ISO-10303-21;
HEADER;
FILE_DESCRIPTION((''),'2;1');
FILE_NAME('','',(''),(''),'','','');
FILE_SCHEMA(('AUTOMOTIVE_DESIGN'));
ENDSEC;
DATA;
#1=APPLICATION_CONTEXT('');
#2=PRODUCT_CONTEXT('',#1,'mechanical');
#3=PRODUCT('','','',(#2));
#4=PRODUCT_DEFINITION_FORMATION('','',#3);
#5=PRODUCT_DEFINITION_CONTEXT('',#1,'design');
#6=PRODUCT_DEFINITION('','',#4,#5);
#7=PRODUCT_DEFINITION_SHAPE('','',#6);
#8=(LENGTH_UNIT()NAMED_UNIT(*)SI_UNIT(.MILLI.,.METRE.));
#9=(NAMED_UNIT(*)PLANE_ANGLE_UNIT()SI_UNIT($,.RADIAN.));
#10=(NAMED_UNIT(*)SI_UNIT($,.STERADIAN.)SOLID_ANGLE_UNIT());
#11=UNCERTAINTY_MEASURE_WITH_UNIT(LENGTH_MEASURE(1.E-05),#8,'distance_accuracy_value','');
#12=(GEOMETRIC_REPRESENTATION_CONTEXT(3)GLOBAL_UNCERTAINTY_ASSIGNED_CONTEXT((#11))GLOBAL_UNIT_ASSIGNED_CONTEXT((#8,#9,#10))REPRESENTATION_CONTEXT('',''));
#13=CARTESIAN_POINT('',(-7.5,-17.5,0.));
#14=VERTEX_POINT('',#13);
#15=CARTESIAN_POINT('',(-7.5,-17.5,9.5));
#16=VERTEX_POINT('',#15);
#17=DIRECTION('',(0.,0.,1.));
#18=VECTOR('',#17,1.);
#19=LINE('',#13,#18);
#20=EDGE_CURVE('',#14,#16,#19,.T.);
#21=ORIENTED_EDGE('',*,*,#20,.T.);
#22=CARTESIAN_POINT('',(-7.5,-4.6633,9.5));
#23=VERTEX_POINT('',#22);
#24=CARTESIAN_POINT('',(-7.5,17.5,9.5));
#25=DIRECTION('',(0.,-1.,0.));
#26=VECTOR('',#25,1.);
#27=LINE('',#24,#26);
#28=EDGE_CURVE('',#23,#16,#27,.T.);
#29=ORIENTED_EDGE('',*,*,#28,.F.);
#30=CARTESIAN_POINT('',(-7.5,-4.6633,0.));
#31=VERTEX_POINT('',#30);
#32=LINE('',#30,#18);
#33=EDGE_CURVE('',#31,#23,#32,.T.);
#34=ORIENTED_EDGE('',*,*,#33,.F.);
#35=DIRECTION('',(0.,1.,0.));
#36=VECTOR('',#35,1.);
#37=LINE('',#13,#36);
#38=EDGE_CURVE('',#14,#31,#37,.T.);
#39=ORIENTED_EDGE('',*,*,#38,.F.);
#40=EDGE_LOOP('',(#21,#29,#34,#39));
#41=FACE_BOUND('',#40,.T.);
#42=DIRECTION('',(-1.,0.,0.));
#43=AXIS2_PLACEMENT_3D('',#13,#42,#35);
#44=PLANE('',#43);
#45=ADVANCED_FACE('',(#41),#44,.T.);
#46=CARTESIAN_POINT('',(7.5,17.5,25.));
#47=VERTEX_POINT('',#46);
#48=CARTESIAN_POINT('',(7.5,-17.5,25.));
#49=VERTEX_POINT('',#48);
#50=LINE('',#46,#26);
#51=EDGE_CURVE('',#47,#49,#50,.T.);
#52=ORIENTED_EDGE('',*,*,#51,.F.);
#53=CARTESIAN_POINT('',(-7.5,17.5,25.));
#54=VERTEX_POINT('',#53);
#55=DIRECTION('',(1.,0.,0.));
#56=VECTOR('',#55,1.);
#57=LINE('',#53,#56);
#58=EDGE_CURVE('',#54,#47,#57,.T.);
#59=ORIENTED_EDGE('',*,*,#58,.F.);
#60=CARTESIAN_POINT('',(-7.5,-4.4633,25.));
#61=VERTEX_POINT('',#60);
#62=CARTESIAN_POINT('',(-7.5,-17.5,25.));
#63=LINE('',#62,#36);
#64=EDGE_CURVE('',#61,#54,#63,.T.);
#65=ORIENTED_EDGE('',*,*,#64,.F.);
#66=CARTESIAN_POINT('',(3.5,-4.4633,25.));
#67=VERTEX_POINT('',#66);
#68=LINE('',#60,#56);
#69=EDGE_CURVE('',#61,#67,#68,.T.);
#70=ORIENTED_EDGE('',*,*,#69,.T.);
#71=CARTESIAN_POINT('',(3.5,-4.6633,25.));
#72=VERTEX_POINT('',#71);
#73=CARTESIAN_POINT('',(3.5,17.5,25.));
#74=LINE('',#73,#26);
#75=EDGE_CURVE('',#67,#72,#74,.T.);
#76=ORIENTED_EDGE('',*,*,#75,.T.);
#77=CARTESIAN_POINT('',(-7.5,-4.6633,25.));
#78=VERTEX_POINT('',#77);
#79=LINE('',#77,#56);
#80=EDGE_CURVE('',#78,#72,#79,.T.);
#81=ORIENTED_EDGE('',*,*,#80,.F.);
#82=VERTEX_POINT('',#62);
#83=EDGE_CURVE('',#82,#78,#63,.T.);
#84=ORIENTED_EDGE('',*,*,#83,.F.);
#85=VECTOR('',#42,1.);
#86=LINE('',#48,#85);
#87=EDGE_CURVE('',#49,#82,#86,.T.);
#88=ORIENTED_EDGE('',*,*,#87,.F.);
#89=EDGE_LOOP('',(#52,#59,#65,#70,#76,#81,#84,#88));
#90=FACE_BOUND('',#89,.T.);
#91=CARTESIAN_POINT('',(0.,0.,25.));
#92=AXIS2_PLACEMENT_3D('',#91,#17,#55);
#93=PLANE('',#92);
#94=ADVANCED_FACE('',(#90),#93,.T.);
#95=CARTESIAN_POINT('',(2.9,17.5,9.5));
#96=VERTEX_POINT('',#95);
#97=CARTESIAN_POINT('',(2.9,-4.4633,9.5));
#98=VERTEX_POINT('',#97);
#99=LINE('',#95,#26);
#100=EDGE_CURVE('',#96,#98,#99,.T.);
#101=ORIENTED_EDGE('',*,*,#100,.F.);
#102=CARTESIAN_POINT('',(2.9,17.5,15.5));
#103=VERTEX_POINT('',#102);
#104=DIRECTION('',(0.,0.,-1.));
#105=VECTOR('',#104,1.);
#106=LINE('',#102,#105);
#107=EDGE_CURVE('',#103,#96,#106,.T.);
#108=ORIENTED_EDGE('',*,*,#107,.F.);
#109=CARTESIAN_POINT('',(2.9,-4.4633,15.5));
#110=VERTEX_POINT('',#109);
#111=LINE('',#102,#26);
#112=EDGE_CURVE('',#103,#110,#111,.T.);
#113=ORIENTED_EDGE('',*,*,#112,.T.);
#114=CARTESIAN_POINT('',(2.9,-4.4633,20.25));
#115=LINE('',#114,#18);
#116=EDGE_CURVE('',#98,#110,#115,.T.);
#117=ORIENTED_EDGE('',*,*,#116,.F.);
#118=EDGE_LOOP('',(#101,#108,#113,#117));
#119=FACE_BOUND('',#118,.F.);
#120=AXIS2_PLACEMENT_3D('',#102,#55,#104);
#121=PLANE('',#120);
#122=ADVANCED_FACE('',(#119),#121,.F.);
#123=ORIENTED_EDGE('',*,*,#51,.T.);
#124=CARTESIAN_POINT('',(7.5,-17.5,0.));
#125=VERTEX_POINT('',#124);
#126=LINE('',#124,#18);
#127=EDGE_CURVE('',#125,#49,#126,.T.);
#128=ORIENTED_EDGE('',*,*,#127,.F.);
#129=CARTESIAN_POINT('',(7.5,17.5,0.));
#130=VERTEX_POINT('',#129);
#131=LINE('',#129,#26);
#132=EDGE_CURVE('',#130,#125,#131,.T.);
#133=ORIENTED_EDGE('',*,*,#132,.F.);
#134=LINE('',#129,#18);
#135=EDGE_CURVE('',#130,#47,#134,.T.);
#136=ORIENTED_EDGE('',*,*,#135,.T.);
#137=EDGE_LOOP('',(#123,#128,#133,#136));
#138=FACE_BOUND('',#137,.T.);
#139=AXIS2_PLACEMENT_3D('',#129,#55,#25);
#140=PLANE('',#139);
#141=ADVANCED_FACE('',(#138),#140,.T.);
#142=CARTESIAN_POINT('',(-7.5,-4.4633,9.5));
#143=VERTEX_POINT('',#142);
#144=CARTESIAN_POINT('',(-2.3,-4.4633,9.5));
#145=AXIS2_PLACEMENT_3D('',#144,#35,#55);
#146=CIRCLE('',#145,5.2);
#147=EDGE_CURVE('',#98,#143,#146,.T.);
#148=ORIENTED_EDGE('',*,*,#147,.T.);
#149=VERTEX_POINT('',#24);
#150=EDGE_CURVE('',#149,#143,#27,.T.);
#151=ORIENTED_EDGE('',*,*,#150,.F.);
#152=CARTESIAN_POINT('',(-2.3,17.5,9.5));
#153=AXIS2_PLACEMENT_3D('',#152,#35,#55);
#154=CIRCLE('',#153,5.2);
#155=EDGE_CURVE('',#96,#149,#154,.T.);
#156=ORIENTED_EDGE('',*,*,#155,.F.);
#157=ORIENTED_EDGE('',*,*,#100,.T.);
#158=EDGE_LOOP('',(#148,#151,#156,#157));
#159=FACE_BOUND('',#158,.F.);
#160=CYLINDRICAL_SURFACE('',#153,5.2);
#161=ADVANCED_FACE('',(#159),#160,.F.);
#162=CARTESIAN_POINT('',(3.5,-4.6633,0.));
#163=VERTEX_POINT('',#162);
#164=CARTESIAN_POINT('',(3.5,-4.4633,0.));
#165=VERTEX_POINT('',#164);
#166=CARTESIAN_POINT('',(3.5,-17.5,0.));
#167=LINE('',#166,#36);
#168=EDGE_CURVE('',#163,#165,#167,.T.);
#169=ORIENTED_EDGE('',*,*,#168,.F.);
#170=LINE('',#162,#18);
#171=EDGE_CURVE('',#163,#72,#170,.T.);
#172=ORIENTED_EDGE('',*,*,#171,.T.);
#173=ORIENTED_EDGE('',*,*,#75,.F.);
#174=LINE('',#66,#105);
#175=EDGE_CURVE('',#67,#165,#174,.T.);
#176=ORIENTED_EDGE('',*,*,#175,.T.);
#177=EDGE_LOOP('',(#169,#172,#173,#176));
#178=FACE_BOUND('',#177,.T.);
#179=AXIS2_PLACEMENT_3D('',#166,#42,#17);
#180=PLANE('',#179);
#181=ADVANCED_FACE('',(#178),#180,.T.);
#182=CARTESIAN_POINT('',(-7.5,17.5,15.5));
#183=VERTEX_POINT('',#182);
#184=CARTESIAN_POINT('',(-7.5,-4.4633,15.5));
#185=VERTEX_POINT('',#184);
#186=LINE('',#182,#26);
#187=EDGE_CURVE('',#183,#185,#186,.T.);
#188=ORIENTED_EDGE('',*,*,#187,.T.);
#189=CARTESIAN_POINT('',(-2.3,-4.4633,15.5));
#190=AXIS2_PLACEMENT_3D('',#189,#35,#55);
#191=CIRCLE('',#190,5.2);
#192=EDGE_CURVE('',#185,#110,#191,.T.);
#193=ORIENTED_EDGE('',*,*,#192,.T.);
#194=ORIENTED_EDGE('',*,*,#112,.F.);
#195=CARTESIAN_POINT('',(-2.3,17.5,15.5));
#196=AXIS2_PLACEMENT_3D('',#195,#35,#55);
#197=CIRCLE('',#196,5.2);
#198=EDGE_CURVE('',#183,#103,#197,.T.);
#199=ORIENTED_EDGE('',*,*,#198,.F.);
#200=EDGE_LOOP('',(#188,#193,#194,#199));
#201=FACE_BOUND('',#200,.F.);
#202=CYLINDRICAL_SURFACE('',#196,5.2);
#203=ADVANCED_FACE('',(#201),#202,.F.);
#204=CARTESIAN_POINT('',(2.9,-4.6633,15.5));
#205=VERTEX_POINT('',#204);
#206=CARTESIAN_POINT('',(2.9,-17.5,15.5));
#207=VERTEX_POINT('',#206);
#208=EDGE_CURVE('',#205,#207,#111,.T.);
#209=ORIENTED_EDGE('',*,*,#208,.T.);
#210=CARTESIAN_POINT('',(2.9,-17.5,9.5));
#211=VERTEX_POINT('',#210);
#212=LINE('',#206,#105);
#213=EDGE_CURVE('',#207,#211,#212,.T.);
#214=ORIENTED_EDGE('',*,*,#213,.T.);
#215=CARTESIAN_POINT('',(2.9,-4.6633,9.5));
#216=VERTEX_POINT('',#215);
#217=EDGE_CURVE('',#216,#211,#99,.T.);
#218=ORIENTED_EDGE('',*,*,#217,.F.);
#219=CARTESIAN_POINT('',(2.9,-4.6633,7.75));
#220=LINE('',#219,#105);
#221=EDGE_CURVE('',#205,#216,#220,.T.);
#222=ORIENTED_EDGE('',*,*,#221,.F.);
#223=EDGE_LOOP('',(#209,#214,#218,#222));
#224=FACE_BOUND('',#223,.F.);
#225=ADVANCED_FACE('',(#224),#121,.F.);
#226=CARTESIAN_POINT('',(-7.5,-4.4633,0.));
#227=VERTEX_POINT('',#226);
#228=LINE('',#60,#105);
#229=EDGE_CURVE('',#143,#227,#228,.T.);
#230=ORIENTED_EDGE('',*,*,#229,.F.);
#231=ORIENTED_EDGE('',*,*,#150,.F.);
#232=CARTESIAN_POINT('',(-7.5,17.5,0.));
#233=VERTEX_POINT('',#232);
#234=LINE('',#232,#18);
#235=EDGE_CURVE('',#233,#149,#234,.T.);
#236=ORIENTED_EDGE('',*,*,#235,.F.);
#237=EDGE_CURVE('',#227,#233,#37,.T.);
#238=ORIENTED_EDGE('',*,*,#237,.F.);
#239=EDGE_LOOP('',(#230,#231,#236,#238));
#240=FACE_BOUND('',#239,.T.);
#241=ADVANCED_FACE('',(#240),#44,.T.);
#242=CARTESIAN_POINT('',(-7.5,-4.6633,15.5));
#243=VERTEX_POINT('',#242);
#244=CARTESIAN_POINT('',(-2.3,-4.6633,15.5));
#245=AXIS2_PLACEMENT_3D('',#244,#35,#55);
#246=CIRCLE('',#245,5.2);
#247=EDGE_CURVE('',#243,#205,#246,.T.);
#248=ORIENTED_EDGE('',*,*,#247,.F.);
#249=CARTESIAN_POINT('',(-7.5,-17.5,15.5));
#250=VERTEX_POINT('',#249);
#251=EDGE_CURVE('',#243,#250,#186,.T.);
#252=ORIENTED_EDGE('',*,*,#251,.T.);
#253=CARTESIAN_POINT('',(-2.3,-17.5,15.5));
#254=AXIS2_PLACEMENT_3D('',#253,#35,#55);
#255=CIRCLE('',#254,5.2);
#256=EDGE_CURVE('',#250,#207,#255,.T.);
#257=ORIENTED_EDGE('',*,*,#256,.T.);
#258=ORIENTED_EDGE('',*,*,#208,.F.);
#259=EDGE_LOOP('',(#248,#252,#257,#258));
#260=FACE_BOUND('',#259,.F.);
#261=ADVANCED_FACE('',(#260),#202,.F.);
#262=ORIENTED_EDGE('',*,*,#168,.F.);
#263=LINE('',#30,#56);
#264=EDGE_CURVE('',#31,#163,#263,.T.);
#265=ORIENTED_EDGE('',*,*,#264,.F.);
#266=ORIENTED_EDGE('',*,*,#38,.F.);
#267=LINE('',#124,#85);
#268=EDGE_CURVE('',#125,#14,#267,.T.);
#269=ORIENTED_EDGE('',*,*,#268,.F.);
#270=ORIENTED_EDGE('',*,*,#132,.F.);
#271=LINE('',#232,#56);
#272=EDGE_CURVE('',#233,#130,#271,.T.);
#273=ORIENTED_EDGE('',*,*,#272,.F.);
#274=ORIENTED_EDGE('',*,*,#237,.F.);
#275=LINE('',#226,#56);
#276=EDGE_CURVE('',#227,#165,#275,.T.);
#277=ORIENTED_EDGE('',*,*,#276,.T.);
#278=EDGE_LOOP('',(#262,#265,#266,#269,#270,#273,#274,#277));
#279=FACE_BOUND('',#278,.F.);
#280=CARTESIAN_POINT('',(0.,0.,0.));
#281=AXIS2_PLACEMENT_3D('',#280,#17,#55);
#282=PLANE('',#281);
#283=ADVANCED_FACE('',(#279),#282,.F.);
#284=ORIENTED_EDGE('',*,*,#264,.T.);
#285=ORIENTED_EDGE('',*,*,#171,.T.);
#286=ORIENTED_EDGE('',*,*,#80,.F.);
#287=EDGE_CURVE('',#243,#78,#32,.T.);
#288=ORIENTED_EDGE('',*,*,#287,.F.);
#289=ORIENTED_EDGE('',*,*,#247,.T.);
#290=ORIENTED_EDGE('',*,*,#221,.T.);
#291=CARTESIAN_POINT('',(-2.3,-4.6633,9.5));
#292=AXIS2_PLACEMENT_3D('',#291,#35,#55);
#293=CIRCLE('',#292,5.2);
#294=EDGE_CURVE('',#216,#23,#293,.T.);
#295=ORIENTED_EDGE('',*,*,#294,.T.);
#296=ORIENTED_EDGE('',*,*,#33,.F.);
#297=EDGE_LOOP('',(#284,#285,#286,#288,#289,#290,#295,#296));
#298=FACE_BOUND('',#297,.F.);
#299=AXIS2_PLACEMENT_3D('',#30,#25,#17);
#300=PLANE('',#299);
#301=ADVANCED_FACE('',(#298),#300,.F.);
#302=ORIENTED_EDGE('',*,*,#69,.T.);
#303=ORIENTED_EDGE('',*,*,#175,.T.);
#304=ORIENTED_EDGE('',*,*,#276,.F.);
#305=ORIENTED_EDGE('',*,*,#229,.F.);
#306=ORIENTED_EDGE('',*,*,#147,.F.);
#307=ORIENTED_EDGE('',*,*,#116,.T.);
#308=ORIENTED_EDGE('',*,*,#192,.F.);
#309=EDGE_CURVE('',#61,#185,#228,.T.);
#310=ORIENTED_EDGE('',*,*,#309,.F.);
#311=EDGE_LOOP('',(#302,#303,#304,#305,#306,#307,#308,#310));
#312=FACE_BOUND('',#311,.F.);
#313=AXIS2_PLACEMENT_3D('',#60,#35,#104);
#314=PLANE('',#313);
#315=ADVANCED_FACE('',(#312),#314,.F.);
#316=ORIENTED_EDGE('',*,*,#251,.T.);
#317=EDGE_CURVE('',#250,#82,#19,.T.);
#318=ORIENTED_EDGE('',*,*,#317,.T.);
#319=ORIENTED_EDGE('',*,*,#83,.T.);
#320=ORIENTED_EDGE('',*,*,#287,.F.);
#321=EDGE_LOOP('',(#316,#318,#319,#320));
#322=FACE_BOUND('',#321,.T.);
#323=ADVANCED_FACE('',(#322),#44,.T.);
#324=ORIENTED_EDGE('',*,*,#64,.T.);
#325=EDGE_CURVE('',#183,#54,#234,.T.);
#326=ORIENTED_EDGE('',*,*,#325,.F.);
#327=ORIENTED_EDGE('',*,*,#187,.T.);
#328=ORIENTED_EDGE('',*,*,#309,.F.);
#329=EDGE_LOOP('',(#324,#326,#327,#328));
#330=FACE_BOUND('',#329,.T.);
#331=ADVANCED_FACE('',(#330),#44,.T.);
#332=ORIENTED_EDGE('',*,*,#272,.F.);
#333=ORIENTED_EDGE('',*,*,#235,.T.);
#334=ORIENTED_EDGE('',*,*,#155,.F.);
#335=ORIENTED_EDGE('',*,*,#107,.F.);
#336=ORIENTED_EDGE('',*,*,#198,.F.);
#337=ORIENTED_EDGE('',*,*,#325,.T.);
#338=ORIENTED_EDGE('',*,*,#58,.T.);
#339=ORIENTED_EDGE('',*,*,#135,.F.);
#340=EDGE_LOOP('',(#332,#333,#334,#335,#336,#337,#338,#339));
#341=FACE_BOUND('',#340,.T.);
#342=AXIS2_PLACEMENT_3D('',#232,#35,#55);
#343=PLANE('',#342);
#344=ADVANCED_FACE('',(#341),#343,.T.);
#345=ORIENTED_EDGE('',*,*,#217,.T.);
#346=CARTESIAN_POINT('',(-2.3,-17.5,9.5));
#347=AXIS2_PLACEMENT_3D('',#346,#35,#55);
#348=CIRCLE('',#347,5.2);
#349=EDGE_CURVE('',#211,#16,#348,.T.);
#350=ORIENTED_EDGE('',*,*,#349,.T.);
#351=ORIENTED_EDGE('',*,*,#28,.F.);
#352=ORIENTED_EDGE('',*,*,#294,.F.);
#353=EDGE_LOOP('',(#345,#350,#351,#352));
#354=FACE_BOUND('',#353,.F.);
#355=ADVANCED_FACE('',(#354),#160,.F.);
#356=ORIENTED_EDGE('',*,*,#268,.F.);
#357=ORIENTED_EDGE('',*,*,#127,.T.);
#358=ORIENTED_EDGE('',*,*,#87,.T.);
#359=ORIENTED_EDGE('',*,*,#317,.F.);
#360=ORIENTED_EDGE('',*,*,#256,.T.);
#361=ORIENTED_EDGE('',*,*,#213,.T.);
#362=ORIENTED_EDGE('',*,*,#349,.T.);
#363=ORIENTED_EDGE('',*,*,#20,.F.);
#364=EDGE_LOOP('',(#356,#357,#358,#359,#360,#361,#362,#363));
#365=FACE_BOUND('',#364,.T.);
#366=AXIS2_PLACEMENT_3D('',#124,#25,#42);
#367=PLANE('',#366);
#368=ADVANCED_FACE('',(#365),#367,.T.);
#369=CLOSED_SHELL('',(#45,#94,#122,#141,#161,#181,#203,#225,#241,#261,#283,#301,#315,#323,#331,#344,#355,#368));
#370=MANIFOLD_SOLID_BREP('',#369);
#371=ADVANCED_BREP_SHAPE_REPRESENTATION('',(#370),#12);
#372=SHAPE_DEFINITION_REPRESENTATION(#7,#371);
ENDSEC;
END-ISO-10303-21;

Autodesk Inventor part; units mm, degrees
ref_plane "YZ Plane" through (0, 0, 0) normal (1, 0, 0) x (0, 1, 0)
ref_plane "XZ Plane" through (0, 0, 0) normal (0, 1, 0) x (-1, 0, 0)
ref_plane "XY Plane" through (0, 0, 0) normal (0, 0, 1) x (1, 0, 0)
sketch "Sketch1" plane through (0, 0, 0) normal (0, 0, 1) x (1, 0, 0)
  line L0 (-7.5, 17.5) -> (7.5, 17.5)
  line L1 (7.5, 17.5) -> (7.5, -17.5)
  line L2 (7.5, -17.5) -> (-7.5, -17.5)
  line L3 (-7.5, -17.5) -> (-7.5, 17.5)
  line L4 (-7.5, 17.5) -> (7.5, -17.5) construction
  line L5 (7.5, 17.5) -> (-7.5, -17.5) construction
  point P0 (0, 0)
  dimension "d0" = 15
  dimension "d1" = 35
extrude "Extrusion1" add sketch "Sketch1" along normal blind 25
sketch "Sketch2" plane through (-7.5, 17.5, 0) normal (0, 1, 0) x (1, 0, 0)
  line L0 (15, -25) -> (0, -25) construction
  line L1 (0, 0) -> (10.4, 0) construction
  line L2 (10.4, 0) -> (10.4, -25) construction
  line L3 (10.4, -25) -> (0, -25) construction
  line L4 (0, -25) -> (0, 0) construction
  line L5 (0, 0) -> (15, 0) construction
  line L6 (5.2, 0) -> (5.2, -25) construction
  line L7 (10.4, -12.5) -> (0, -12.5) construction
  line L8 (0, 0) -> (0, -25) construction
  line L9 (10.4, -4.3) -> (0, -4.3) construction
  line L10 (0, -4.3) -> (0, -20.7) construction
  line L11 (0, -20.7) -> (10.4, -20.7) construction
  line L12 (10.4, -20.7) -> (10.4, -4.3) construction
  line L13 (10.4, -4.3) -> (0, -20.7) construction
  line L14 (0, -4.3) -> (10.4, -20.7) construction
  circle A0 centre (5.2, -9.5) radius 5.2
  circle A1 centre (5.2, -15.5) radius 5.2
  line L15 (10.4, -9.5) -> (0, -9.5)
  line L16 (0, -9.5) -> (0, -15.5)
  line L17 (0, -15.5) -> (10.4, -15.5)
  line L18 (10.4, -15.5) -> (10.4, -9.5)
  line L19 (10.4, -9.5) -> (0, -15.5) construction
  line L20 (0, -9.5) -> (10.4, -15.5) construction
  point P0 (7.5, 0)
  point P1 (5.2, -12.5)
  dimension "d4" = 10.4
  dimension "d5" = 16.4
extrude "Extrusion2" cut sketch "Sketch2" against normal blind 35
sketch "Sketch3" plane through (-7.5, -17.5, 0) normal (-1, 0, 0) x (0, 0, 1)
  line L0 (25, 35) -> (25, 0) projected
  line L1 (0, 0) -> (0, 35) projected
  line L2 (25, 13.0367) -> (0, 13.0367)
  line L3 (0, 13.0367) -> (0, 12.8367)
  line L4 (0, 12.8367) -> (25, 12.8367)
  line L5 (25, 12.8367) -> (25, 13.0367)
  point P0 (0, 17.5)
  dimension "d8" = 0.2
extrude "Extrusion3" cut sketch "Sketch3" against normal blind 11
properties part number "Cutting Tool V1"
